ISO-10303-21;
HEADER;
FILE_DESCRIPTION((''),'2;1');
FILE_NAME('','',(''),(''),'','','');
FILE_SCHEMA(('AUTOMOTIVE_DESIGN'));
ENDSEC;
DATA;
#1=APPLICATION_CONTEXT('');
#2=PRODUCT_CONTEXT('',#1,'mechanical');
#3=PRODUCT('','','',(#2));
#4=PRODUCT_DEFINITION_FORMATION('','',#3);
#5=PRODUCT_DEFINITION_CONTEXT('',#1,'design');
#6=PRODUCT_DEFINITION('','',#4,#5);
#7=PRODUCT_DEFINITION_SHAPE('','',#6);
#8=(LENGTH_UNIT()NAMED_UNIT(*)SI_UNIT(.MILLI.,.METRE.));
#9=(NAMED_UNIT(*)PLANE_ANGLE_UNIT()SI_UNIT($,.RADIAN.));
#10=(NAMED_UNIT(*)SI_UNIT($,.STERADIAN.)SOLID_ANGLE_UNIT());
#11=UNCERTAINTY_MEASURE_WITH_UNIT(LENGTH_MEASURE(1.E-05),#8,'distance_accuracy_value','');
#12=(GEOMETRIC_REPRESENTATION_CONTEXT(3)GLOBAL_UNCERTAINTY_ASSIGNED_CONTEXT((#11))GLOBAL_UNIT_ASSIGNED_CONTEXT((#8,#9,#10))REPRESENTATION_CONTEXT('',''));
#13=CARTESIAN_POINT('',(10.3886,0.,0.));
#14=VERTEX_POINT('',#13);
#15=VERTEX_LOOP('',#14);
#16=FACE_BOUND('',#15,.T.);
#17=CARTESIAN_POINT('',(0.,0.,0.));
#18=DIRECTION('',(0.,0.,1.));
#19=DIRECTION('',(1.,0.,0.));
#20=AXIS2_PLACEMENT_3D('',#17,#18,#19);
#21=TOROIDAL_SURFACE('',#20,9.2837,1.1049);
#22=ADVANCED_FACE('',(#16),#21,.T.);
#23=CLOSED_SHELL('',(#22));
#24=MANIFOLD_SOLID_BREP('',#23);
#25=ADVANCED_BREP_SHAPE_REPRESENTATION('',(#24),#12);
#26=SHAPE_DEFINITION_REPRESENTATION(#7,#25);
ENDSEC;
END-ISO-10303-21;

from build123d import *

# Parameters (mm, degrees)
SKETCH1_R = 1.1049


with BuildPart() as part:
    # Sketch1 → Revolve1 (revolve)
    with BuildSketch(Plane(origin=(0, 0, 0), x_dir=(0, -1, 0), z_dir=(1, 0, 0))):
        with Locations((9.2837, 0)):
            Circle(SKETCH1_R)
    revolve(axis=Axis((0, 0, 1.1049), (0, 0, -1)))


solid = part.part
